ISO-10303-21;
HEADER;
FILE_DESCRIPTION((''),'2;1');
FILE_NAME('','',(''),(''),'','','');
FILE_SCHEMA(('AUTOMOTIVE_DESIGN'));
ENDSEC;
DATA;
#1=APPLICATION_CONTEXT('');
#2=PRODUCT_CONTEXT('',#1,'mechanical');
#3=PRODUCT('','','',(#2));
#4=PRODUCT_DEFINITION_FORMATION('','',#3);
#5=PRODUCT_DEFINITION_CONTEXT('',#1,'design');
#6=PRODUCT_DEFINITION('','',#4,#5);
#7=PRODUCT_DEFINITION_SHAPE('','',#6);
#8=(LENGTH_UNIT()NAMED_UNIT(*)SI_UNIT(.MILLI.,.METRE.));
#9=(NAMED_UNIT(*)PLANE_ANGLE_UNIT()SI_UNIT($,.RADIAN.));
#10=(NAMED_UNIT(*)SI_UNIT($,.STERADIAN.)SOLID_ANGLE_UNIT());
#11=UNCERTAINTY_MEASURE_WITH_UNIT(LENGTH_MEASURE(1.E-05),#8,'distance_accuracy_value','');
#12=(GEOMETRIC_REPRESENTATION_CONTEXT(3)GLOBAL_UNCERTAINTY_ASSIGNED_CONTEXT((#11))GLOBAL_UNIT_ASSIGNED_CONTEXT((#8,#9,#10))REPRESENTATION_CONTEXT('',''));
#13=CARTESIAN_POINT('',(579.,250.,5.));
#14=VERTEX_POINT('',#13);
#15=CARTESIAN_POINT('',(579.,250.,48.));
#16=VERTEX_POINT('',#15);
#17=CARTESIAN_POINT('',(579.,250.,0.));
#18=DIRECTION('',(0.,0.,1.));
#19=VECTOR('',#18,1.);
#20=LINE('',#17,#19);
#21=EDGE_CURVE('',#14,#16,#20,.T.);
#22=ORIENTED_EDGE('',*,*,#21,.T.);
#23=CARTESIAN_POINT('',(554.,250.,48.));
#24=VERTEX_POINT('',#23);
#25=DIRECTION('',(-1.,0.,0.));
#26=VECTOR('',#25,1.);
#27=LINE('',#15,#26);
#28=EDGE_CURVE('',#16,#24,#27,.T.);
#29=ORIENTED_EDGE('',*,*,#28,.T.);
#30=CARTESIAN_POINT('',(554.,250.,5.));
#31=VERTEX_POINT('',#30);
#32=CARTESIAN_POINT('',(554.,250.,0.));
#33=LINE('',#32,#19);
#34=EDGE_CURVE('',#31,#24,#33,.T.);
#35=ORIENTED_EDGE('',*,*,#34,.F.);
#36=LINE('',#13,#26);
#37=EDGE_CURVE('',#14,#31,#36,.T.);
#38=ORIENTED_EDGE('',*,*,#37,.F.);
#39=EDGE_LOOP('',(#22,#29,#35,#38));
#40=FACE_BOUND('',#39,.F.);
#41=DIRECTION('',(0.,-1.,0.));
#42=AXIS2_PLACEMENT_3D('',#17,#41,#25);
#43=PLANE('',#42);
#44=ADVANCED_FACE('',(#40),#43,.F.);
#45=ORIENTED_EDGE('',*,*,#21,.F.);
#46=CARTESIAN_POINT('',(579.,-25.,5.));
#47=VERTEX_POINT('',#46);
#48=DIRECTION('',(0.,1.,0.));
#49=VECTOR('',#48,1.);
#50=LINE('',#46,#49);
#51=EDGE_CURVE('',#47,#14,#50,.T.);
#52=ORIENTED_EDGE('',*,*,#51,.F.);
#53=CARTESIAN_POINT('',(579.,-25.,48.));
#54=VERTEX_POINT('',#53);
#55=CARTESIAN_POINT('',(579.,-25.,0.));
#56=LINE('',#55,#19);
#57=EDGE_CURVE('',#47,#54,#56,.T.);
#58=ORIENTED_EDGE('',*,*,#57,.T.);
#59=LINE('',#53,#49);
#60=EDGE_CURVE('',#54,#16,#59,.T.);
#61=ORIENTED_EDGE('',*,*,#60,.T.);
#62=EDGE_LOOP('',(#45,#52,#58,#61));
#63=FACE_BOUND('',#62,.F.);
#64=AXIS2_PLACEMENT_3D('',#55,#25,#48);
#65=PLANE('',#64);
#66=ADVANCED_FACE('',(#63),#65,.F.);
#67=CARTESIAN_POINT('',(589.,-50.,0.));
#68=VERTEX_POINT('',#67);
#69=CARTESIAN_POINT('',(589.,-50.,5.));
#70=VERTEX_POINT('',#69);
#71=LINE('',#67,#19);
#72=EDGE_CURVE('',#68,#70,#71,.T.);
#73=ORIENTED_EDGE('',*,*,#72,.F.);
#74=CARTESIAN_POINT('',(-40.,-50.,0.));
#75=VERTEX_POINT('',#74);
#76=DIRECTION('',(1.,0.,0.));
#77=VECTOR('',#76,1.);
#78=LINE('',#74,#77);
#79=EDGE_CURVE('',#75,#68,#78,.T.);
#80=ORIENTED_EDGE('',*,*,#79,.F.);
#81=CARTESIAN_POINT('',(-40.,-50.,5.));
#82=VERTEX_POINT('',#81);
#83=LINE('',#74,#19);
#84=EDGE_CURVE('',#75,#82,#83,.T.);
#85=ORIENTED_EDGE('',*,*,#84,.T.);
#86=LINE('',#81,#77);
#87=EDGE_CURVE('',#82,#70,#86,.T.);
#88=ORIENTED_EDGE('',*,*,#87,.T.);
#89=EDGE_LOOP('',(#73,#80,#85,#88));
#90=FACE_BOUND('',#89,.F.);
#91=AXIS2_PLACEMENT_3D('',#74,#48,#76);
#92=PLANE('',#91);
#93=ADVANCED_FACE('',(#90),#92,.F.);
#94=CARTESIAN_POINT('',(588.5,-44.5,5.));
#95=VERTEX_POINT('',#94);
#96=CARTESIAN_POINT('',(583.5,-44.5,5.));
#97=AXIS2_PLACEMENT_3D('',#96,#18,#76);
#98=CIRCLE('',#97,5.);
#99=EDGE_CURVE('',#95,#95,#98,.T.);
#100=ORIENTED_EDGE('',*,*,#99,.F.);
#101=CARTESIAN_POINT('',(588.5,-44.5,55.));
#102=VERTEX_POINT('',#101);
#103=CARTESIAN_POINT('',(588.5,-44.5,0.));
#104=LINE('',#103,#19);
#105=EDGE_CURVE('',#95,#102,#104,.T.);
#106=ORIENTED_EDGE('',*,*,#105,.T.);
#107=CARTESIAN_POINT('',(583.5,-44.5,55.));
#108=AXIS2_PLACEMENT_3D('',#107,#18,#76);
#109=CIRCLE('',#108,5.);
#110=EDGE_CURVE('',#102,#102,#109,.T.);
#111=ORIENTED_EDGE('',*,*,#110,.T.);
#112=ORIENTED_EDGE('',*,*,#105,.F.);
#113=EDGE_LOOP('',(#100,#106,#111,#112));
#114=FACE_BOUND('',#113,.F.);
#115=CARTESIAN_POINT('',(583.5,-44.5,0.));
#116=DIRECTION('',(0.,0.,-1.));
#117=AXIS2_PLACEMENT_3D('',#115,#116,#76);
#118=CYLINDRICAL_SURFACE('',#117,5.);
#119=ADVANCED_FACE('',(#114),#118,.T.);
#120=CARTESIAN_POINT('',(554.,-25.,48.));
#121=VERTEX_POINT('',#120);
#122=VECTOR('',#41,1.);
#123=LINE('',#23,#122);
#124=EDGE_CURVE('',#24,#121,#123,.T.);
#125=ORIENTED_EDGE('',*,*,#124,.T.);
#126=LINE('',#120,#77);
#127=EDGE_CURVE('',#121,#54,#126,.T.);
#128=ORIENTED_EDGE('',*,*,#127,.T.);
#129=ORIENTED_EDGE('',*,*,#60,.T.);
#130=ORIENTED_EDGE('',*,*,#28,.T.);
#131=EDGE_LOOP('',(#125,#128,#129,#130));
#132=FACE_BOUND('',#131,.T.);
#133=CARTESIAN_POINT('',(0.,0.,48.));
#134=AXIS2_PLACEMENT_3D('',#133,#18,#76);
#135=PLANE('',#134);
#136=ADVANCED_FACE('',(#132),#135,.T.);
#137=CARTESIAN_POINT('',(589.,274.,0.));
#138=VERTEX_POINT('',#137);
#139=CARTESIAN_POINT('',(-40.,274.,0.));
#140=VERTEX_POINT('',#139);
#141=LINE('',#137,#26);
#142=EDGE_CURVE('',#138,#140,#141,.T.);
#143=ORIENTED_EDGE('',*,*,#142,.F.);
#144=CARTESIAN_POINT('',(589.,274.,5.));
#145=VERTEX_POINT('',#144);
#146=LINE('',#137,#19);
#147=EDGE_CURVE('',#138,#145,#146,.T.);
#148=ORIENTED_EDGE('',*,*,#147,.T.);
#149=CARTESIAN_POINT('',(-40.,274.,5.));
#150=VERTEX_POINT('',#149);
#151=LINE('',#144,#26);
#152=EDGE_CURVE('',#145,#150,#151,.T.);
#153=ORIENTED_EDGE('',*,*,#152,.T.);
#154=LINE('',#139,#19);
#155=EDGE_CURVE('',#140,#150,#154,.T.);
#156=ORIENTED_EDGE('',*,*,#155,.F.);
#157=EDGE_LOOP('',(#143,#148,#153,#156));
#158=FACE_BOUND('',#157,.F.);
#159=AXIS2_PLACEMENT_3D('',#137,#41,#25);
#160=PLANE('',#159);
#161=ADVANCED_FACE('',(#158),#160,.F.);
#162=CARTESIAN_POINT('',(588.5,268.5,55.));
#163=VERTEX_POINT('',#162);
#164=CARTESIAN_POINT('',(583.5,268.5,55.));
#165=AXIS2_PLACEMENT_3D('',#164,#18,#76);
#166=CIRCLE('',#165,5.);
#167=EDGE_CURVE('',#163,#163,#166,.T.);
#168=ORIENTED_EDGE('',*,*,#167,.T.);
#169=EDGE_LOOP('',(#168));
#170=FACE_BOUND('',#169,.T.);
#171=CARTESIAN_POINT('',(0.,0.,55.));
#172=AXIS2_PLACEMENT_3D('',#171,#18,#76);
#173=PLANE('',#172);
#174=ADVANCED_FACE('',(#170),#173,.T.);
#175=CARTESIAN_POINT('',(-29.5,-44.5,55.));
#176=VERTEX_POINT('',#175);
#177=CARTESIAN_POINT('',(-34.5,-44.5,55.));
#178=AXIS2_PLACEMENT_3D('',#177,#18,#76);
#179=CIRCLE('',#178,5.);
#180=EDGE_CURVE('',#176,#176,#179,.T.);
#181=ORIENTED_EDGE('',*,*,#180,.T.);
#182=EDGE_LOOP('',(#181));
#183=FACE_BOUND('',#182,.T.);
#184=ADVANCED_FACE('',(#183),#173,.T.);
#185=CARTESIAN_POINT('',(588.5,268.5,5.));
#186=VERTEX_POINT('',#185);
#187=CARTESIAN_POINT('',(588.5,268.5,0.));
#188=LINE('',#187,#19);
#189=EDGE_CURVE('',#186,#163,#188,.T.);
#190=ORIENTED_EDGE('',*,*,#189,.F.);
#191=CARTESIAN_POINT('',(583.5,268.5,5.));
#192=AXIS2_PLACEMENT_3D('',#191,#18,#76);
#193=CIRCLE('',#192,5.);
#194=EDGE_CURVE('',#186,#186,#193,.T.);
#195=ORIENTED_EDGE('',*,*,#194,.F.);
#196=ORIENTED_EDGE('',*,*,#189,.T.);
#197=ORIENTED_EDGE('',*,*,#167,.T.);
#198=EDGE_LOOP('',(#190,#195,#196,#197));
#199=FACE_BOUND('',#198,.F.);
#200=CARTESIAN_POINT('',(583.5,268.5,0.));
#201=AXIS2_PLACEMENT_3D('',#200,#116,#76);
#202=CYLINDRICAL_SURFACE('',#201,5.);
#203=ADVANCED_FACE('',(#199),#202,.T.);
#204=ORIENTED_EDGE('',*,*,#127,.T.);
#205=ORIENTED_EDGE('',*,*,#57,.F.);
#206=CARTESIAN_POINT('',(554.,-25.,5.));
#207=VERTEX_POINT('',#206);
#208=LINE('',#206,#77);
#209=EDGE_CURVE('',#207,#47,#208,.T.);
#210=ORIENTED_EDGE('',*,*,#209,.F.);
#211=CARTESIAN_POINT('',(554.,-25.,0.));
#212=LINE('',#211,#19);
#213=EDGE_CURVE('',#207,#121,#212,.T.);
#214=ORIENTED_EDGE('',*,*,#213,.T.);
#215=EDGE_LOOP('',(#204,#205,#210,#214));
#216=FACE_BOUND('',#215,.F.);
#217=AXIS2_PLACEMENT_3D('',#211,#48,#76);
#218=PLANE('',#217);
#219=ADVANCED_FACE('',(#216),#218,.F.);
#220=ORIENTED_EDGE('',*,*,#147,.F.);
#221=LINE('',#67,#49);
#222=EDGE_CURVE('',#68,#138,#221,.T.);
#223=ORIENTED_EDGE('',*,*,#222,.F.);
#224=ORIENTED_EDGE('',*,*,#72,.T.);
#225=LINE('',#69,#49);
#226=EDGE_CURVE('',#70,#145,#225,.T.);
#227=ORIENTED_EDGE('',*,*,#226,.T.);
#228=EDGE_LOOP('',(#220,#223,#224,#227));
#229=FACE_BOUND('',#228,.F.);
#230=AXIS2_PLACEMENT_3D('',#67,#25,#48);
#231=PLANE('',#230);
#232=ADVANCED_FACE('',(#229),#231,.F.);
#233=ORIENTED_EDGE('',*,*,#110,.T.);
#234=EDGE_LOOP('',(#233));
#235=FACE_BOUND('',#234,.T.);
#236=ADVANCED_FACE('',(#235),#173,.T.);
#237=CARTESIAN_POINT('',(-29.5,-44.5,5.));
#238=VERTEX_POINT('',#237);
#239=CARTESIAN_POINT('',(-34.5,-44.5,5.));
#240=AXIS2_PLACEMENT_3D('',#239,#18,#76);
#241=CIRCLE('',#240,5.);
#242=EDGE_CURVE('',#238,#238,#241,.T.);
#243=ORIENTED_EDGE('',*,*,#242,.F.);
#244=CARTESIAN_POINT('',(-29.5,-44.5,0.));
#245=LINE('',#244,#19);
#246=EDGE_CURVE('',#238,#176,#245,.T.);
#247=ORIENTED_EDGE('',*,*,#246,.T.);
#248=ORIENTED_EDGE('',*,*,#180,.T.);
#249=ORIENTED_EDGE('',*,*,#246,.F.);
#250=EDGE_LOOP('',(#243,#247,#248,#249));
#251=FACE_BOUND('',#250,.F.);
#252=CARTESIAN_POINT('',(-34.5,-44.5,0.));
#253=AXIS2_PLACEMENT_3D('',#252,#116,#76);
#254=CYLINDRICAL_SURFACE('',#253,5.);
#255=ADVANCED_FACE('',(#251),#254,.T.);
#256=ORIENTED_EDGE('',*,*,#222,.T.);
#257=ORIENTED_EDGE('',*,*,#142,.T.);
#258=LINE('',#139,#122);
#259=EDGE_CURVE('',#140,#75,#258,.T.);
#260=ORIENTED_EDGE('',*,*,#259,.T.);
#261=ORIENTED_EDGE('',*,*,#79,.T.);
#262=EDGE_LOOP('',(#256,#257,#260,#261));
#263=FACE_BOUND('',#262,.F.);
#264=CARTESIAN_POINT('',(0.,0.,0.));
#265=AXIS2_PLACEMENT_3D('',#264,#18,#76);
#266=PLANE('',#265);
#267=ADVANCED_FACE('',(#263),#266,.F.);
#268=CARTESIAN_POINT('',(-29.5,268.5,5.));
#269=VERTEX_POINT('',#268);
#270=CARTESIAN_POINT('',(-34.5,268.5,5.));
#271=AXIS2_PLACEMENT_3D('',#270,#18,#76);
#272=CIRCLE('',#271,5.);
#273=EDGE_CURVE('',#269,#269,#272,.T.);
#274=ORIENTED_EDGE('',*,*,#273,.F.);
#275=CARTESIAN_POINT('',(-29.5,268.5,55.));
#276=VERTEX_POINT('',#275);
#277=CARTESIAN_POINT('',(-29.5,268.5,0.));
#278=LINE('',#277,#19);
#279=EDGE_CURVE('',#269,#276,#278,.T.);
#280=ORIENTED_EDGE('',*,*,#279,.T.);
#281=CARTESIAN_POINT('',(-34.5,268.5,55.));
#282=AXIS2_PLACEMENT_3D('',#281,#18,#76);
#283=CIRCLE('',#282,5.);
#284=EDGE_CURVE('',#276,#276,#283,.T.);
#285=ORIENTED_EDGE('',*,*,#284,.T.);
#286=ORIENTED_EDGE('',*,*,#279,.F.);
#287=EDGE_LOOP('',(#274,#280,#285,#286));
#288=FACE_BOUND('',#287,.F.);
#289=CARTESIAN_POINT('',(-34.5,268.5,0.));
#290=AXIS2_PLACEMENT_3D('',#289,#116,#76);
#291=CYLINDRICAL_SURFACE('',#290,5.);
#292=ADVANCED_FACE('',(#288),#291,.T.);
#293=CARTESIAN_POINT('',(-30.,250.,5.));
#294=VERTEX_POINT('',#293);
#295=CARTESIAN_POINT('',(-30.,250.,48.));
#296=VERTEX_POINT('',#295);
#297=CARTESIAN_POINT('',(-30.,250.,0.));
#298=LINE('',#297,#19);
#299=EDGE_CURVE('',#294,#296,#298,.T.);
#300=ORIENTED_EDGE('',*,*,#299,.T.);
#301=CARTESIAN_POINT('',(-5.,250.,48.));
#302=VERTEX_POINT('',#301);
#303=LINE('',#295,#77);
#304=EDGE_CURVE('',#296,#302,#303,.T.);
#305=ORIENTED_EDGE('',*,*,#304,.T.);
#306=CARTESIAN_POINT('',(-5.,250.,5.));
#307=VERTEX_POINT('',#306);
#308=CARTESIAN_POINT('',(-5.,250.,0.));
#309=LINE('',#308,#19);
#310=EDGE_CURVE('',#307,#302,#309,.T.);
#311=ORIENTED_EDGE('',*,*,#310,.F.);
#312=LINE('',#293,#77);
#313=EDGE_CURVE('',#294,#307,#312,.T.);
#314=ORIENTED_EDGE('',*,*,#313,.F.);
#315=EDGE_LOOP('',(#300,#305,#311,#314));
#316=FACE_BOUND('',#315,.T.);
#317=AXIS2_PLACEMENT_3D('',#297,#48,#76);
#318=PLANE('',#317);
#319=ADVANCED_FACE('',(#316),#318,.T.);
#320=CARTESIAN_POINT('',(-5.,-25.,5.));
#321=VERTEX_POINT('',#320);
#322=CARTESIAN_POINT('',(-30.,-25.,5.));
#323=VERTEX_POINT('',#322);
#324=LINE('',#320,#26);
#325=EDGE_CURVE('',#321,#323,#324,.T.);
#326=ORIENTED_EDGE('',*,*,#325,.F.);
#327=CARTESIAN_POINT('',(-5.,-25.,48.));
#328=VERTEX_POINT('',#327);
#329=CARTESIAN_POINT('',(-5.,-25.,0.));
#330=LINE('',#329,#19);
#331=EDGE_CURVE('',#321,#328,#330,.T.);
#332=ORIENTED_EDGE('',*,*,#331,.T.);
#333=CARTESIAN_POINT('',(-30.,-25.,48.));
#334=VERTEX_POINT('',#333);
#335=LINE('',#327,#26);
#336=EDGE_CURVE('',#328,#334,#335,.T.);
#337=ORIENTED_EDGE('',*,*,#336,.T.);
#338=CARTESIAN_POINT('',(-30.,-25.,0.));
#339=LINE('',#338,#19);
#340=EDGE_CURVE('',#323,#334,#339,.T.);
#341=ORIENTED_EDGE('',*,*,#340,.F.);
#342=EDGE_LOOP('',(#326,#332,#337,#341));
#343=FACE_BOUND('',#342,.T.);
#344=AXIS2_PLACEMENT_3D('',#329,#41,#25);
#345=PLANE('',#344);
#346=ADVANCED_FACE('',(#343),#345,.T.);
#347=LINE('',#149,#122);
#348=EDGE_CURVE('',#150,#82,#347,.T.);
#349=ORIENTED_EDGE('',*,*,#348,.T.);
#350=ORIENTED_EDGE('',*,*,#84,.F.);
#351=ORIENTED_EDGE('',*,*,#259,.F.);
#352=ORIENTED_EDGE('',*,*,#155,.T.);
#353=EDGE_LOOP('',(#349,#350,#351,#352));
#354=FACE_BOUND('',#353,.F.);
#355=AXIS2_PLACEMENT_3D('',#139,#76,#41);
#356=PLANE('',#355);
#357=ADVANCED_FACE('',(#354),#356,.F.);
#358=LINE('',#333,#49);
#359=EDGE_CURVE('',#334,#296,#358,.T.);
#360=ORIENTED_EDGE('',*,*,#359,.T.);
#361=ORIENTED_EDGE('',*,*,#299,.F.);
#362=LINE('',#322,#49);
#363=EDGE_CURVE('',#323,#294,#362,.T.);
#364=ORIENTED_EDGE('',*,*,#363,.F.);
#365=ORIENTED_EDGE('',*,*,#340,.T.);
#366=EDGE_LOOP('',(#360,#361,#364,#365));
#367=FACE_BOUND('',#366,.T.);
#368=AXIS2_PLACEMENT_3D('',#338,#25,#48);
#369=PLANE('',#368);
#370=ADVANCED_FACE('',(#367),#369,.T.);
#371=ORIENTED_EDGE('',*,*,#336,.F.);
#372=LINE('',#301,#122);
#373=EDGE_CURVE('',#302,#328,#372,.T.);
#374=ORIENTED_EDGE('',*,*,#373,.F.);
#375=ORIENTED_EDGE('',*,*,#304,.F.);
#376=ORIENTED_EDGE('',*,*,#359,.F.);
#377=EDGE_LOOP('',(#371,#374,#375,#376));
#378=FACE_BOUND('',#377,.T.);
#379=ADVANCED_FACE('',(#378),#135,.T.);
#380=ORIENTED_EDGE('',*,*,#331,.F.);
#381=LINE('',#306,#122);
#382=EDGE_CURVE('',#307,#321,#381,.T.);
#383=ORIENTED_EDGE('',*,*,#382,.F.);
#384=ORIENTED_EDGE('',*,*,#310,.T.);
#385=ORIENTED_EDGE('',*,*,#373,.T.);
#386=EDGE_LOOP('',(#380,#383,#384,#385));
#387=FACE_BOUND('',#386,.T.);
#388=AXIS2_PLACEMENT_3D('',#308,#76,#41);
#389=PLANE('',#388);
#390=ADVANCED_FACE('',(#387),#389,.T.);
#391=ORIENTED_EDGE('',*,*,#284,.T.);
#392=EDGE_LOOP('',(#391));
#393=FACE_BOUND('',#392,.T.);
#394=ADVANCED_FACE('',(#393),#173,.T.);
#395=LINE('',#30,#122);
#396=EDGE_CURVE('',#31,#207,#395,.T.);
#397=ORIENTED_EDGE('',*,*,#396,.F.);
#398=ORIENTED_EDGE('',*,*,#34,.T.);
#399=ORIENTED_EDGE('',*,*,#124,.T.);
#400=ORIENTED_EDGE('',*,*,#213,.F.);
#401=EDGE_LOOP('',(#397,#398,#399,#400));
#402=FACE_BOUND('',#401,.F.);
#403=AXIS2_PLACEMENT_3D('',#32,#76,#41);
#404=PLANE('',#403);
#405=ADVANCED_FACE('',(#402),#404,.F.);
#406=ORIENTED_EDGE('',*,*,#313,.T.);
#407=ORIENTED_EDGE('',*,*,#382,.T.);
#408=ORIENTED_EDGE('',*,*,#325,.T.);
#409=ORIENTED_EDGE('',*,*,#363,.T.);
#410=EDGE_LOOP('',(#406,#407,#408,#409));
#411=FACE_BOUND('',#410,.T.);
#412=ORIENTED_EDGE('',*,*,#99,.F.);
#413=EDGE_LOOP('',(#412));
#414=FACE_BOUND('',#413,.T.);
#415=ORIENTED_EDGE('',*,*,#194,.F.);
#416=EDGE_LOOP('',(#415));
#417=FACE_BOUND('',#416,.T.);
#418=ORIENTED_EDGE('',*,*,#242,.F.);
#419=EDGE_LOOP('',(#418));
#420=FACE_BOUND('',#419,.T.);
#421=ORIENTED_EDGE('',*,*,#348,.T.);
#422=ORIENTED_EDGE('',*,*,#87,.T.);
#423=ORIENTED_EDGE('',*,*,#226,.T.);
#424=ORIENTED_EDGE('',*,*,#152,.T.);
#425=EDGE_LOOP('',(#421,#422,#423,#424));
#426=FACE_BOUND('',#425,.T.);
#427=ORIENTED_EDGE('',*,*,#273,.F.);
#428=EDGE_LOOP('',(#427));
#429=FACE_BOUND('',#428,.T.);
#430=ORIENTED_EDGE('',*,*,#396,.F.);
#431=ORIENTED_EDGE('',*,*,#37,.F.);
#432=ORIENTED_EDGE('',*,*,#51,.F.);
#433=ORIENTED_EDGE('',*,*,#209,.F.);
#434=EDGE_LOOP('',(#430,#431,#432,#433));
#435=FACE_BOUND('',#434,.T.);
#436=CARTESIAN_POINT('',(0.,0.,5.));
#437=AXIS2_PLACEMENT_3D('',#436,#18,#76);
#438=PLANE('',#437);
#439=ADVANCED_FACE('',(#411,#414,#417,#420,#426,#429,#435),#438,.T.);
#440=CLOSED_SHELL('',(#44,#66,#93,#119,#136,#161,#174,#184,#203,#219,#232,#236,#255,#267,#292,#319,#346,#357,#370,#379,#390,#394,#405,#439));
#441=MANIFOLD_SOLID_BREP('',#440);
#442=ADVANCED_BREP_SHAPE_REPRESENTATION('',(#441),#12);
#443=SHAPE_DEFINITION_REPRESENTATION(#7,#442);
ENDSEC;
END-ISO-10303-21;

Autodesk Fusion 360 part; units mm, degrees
sketch "Sketch1" plane through (0, 0, 0) normal (0, 0, 1) x (1, 0, 0)
  line L0 (-40, -50) -> (589, -50)
  line L1 (589, -50) -> (589, 274)
  line L2 (589, 274) -> (-40, 274)
  line L3 (-40, 274) -> (-40, -50)
  circle A0 centre (583.5, -44.5) radius 5
  circle A1 centre (583.5, 268.5) radius 5
  circle A2 centre (-34.5, 268.5) radius 5
  circle A3 centre (-34.5, -44.5) radius 5
  line L4 (-30, 250) -> (-5, 250)
  line L5 (-5, 250) -> (-5, -25)
  line L6 (-5, -25) -> (-30, -25)
  line L7 (-30, -25) -> (-30, 250)
  line L8 (579, 250) -> (554, 250)
  line L9 (554, 250) -> (554, -25)
  line L10 (554, -25) -> (579, -25)
  line L11 (579, -25) -> (579, 250)
  dimension "d1" = 629
  dimension "d2" = 324
  dimension "d3" = 10
  dimension "d4" = 5.5
  dimension "d5" = 5.5
  dimension "d6" = 10
  dimension "d7" = 5.5
  dimension "d8" = 5.5
  dimension "d9" = 10
  dimension "d10" = 5.5
  dimension "d11" = 5.5
  dimension "d12" = 10
  dimension "d13" = 5.5
  dimension "d14" = 5.5
  dimension "d15" = 10
  dimension "d16" = 559
extrude "Extrude1" add sketch "Sketch1" along normal blind 5
extrude "Extrude2" add sketch "Sketch1" along normal blind 48 contours L4 L5 L6 L7 | L8 L9 L10 L11
extrude "Extrude3" add sketch "Sketch1" along normal blind 55 contours A3
extrude "Extrude4" add sketch "Sketch1" along normal blind 55 contours A2
extrude "Extrude5" add sketch "Sketch1" along normal blind 55 contours A1
extrude "Extrude6" add sketch "Sketch1" along normal blind 55 contours A0
